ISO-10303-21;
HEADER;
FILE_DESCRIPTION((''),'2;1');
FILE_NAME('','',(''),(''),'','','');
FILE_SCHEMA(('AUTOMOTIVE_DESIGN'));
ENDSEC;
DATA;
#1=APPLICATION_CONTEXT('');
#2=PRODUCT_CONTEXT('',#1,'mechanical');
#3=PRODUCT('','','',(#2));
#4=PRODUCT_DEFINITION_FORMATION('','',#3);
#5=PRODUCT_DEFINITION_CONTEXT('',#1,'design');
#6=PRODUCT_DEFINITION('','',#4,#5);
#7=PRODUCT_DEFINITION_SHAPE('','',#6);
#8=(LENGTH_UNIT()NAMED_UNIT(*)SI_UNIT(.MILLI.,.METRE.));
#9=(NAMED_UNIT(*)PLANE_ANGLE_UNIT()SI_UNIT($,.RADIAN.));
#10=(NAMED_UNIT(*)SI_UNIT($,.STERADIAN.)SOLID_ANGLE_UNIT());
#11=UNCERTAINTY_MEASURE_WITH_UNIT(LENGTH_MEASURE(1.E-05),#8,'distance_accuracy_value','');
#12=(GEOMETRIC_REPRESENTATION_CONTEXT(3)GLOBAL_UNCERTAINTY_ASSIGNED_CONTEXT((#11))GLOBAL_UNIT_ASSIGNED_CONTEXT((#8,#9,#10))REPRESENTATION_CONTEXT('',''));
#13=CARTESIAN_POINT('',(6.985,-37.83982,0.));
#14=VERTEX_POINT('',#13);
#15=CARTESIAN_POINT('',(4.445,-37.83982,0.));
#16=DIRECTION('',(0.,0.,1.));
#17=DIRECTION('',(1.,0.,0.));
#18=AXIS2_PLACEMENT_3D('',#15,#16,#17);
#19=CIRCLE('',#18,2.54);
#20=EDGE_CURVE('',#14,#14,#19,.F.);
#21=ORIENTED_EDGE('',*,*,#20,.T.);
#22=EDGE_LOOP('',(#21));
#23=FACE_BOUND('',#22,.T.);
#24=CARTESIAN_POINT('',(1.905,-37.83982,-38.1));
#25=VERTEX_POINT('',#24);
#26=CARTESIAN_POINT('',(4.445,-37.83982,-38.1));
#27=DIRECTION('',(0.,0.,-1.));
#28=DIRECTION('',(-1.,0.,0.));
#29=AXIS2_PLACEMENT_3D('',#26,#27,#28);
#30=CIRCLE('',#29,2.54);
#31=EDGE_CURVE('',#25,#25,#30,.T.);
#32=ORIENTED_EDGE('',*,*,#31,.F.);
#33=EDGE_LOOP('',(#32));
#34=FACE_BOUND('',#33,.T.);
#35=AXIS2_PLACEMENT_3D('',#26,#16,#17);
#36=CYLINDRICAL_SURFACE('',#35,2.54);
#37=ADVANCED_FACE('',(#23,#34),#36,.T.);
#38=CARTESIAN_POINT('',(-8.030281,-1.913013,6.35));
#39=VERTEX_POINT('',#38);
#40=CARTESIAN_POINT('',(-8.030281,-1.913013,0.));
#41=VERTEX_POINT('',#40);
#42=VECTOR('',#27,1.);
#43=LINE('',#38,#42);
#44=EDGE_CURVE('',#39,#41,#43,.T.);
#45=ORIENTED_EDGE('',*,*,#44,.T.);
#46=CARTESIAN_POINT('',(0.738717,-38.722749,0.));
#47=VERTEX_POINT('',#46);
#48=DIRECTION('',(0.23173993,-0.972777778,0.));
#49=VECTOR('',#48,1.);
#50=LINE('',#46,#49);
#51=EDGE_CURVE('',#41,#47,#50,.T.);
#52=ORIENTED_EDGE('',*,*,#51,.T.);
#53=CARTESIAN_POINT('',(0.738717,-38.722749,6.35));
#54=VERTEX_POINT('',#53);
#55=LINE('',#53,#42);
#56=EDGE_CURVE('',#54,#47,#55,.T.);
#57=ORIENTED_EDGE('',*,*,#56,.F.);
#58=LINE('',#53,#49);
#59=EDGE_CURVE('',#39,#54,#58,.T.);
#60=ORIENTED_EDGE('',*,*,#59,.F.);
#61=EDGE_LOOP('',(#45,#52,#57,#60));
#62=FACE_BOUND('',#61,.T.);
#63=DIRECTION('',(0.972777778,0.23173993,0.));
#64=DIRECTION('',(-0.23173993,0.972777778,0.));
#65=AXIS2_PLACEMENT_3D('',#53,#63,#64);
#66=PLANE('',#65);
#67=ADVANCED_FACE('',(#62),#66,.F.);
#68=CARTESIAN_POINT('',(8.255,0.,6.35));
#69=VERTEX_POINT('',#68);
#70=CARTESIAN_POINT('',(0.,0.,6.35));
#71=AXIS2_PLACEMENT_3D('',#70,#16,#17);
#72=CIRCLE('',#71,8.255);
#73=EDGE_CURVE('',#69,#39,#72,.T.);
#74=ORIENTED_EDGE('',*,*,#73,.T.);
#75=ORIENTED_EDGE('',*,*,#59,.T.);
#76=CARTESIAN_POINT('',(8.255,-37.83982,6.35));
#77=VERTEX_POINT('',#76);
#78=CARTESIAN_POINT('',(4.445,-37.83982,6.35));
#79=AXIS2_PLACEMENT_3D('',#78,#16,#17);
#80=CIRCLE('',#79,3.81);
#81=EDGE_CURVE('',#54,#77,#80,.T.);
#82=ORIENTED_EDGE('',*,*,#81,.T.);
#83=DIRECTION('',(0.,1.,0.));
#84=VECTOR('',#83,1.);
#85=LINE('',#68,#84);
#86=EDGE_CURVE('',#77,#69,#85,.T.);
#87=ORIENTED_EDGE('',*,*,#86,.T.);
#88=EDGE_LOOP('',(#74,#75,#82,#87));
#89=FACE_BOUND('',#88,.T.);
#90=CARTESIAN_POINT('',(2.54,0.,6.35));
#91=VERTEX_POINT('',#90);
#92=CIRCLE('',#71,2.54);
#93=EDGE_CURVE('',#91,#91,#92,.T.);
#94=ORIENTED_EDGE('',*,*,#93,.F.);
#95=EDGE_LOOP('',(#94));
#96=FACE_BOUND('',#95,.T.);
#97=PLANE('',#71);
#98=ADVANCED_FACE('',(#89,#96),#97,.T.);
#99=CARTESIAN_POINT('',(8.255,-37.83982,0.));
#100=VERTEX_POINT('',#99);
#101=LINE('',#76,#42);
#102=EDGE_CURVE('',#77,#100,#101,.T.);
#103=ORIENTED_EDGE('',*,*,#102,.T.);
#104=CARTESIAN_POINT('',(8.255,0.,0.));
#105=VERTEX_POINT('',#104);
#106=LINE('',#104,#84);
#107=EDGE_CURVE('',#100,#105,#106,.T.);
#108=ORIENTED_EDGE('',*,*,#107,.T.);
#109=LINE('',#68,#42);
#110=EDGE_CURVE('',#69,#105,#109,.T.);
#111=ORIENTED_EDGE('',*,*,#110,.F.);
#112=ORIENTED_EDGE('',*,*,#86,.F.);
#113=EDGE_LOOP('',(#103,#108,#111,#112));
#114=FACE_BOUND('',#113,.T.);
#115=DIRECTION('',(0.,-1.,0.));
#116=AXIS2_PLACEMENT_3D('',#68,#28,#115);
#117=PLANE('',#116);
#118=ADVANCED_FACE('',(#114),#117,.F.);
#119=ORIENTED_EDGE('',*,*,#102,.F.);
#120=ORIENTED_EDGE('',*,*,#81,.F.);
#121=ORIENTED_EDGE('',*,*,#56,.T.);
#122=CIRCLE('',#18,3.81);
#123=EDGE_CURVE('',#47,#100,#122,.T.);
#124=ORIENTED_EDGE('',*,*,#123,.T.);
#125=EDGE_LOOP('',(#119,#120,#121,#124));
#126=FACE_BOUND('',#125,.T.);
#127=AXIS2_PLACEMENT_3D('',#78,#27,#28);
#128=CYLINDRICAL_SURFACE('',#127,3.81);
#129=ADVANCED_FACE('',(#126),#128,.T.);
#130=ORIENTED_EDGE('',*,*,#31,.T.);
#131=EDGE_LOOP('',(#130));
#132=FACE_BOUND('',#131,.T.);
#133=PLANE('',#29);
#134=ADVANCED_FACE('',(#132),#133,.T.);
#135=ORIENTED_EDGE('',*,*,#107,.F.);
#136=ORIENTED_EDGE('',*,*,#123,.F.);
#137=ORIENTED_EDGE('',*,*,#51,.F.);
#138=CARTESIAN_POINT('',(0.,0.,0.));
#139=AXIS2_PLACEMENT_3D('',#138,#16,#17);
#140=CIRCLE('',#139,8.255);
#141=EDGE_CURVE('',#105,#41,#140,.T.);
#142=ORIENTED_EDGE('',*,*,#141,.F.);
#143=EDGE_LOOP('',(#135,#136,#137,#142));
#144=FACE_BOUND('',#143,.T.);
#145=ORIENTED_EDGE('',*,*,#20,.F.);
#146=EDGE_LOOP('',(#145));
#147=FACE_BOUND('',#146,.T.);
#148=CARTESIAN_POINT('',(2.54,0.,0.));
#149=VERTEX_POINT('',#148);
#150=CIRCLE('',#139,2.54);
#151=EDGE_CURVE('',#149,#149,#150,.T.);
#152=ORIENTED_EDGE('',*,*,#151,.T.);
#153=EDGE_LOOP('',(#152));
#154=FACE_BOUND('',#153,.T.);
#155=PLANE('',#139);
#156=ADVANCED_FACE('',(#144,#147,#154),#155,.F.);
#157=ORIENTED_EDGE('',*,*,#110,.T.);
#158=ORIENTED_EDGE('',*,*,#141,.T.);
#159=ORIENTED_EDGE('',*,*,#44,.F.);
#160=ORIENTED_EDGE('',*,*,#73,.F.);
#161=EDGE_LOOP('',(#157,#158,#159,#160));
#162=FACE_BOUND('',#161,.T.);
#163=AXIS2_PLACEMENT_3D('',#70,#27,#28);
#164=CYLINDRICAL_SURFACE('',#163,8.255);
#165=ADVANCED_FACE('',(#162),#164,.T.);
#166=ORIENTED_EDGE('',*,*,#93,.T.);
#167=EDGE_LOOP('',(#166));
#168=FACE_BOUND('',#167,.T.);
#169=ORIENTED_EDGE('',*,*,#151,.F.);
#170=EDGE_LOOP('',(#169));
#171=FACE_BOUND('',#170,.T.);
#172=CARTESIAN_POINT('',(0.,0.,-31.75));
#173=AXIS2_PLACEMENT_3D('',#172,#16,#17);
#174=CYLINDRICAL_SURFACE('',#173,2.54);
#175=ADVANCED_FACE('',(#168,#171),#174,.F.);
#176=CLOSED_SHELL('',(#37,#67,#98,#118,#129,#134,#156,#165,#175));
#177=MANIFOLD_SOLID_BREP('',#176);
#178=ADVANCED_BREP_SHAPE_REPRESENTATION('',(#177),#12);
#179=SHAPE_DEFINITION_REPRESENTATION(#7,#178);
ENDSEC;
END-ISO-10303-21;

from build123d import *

# Parameters (mm, degrees)
BOSS_EXTRUDE1_DEPTH = 6.35
SKETCH2_R           = 2.54
BOSS_EXTRUDE2_DEPTH = 38.1
SKETCH3_R           = 2.54
CUT_EXTRUDE1_DEPTH  = 38.1


with BuildPart() as part:
    # Sketch1 → Boss-Extrude1 (new body)
    with BuildSketch(Plane.XY):
        with BuildLine():
            Line((8.255, 0), (8.255, -37.839819965))
            ThreePointArc((8.255, -37.839819965), (4.8895, -41.623801962), (0.738716667, -38.722749098))
            Line((0.738716667, -38.722749098), (-8.030280556, -1.91301312))
            ThreePointArc((-8.030280556, -1.91301312), (-0.963083333, 8.198627659), (8.255, 0))
        make_face()
    extrude(amount=BOSS_EXTRUDE1_DEPTH)

    # Sketch2 → Boss-Extrude2 (add)
    with BuildSketch(Plane(origin=(0, 0, 0), x_dir=(-1, 0, 0), z_dir=(0, 0, -1))):
        with Locations((-4.445, -37.839819965)):
            Circle(SKETCH2_R)
    extrude(amount=BOSS_EXTRUDE2_DEPTH)

    # Sketch3 → Cut-Extrude1 (cut)
    with BuildSketch(Plane.XY.offset(6.35)):
        Circle(SKETCH3_R)
    extrude(amount=-CUT_EXTRUDE1_DEPTH, mode=Mode.SUBTRACT)


solid = part.part
